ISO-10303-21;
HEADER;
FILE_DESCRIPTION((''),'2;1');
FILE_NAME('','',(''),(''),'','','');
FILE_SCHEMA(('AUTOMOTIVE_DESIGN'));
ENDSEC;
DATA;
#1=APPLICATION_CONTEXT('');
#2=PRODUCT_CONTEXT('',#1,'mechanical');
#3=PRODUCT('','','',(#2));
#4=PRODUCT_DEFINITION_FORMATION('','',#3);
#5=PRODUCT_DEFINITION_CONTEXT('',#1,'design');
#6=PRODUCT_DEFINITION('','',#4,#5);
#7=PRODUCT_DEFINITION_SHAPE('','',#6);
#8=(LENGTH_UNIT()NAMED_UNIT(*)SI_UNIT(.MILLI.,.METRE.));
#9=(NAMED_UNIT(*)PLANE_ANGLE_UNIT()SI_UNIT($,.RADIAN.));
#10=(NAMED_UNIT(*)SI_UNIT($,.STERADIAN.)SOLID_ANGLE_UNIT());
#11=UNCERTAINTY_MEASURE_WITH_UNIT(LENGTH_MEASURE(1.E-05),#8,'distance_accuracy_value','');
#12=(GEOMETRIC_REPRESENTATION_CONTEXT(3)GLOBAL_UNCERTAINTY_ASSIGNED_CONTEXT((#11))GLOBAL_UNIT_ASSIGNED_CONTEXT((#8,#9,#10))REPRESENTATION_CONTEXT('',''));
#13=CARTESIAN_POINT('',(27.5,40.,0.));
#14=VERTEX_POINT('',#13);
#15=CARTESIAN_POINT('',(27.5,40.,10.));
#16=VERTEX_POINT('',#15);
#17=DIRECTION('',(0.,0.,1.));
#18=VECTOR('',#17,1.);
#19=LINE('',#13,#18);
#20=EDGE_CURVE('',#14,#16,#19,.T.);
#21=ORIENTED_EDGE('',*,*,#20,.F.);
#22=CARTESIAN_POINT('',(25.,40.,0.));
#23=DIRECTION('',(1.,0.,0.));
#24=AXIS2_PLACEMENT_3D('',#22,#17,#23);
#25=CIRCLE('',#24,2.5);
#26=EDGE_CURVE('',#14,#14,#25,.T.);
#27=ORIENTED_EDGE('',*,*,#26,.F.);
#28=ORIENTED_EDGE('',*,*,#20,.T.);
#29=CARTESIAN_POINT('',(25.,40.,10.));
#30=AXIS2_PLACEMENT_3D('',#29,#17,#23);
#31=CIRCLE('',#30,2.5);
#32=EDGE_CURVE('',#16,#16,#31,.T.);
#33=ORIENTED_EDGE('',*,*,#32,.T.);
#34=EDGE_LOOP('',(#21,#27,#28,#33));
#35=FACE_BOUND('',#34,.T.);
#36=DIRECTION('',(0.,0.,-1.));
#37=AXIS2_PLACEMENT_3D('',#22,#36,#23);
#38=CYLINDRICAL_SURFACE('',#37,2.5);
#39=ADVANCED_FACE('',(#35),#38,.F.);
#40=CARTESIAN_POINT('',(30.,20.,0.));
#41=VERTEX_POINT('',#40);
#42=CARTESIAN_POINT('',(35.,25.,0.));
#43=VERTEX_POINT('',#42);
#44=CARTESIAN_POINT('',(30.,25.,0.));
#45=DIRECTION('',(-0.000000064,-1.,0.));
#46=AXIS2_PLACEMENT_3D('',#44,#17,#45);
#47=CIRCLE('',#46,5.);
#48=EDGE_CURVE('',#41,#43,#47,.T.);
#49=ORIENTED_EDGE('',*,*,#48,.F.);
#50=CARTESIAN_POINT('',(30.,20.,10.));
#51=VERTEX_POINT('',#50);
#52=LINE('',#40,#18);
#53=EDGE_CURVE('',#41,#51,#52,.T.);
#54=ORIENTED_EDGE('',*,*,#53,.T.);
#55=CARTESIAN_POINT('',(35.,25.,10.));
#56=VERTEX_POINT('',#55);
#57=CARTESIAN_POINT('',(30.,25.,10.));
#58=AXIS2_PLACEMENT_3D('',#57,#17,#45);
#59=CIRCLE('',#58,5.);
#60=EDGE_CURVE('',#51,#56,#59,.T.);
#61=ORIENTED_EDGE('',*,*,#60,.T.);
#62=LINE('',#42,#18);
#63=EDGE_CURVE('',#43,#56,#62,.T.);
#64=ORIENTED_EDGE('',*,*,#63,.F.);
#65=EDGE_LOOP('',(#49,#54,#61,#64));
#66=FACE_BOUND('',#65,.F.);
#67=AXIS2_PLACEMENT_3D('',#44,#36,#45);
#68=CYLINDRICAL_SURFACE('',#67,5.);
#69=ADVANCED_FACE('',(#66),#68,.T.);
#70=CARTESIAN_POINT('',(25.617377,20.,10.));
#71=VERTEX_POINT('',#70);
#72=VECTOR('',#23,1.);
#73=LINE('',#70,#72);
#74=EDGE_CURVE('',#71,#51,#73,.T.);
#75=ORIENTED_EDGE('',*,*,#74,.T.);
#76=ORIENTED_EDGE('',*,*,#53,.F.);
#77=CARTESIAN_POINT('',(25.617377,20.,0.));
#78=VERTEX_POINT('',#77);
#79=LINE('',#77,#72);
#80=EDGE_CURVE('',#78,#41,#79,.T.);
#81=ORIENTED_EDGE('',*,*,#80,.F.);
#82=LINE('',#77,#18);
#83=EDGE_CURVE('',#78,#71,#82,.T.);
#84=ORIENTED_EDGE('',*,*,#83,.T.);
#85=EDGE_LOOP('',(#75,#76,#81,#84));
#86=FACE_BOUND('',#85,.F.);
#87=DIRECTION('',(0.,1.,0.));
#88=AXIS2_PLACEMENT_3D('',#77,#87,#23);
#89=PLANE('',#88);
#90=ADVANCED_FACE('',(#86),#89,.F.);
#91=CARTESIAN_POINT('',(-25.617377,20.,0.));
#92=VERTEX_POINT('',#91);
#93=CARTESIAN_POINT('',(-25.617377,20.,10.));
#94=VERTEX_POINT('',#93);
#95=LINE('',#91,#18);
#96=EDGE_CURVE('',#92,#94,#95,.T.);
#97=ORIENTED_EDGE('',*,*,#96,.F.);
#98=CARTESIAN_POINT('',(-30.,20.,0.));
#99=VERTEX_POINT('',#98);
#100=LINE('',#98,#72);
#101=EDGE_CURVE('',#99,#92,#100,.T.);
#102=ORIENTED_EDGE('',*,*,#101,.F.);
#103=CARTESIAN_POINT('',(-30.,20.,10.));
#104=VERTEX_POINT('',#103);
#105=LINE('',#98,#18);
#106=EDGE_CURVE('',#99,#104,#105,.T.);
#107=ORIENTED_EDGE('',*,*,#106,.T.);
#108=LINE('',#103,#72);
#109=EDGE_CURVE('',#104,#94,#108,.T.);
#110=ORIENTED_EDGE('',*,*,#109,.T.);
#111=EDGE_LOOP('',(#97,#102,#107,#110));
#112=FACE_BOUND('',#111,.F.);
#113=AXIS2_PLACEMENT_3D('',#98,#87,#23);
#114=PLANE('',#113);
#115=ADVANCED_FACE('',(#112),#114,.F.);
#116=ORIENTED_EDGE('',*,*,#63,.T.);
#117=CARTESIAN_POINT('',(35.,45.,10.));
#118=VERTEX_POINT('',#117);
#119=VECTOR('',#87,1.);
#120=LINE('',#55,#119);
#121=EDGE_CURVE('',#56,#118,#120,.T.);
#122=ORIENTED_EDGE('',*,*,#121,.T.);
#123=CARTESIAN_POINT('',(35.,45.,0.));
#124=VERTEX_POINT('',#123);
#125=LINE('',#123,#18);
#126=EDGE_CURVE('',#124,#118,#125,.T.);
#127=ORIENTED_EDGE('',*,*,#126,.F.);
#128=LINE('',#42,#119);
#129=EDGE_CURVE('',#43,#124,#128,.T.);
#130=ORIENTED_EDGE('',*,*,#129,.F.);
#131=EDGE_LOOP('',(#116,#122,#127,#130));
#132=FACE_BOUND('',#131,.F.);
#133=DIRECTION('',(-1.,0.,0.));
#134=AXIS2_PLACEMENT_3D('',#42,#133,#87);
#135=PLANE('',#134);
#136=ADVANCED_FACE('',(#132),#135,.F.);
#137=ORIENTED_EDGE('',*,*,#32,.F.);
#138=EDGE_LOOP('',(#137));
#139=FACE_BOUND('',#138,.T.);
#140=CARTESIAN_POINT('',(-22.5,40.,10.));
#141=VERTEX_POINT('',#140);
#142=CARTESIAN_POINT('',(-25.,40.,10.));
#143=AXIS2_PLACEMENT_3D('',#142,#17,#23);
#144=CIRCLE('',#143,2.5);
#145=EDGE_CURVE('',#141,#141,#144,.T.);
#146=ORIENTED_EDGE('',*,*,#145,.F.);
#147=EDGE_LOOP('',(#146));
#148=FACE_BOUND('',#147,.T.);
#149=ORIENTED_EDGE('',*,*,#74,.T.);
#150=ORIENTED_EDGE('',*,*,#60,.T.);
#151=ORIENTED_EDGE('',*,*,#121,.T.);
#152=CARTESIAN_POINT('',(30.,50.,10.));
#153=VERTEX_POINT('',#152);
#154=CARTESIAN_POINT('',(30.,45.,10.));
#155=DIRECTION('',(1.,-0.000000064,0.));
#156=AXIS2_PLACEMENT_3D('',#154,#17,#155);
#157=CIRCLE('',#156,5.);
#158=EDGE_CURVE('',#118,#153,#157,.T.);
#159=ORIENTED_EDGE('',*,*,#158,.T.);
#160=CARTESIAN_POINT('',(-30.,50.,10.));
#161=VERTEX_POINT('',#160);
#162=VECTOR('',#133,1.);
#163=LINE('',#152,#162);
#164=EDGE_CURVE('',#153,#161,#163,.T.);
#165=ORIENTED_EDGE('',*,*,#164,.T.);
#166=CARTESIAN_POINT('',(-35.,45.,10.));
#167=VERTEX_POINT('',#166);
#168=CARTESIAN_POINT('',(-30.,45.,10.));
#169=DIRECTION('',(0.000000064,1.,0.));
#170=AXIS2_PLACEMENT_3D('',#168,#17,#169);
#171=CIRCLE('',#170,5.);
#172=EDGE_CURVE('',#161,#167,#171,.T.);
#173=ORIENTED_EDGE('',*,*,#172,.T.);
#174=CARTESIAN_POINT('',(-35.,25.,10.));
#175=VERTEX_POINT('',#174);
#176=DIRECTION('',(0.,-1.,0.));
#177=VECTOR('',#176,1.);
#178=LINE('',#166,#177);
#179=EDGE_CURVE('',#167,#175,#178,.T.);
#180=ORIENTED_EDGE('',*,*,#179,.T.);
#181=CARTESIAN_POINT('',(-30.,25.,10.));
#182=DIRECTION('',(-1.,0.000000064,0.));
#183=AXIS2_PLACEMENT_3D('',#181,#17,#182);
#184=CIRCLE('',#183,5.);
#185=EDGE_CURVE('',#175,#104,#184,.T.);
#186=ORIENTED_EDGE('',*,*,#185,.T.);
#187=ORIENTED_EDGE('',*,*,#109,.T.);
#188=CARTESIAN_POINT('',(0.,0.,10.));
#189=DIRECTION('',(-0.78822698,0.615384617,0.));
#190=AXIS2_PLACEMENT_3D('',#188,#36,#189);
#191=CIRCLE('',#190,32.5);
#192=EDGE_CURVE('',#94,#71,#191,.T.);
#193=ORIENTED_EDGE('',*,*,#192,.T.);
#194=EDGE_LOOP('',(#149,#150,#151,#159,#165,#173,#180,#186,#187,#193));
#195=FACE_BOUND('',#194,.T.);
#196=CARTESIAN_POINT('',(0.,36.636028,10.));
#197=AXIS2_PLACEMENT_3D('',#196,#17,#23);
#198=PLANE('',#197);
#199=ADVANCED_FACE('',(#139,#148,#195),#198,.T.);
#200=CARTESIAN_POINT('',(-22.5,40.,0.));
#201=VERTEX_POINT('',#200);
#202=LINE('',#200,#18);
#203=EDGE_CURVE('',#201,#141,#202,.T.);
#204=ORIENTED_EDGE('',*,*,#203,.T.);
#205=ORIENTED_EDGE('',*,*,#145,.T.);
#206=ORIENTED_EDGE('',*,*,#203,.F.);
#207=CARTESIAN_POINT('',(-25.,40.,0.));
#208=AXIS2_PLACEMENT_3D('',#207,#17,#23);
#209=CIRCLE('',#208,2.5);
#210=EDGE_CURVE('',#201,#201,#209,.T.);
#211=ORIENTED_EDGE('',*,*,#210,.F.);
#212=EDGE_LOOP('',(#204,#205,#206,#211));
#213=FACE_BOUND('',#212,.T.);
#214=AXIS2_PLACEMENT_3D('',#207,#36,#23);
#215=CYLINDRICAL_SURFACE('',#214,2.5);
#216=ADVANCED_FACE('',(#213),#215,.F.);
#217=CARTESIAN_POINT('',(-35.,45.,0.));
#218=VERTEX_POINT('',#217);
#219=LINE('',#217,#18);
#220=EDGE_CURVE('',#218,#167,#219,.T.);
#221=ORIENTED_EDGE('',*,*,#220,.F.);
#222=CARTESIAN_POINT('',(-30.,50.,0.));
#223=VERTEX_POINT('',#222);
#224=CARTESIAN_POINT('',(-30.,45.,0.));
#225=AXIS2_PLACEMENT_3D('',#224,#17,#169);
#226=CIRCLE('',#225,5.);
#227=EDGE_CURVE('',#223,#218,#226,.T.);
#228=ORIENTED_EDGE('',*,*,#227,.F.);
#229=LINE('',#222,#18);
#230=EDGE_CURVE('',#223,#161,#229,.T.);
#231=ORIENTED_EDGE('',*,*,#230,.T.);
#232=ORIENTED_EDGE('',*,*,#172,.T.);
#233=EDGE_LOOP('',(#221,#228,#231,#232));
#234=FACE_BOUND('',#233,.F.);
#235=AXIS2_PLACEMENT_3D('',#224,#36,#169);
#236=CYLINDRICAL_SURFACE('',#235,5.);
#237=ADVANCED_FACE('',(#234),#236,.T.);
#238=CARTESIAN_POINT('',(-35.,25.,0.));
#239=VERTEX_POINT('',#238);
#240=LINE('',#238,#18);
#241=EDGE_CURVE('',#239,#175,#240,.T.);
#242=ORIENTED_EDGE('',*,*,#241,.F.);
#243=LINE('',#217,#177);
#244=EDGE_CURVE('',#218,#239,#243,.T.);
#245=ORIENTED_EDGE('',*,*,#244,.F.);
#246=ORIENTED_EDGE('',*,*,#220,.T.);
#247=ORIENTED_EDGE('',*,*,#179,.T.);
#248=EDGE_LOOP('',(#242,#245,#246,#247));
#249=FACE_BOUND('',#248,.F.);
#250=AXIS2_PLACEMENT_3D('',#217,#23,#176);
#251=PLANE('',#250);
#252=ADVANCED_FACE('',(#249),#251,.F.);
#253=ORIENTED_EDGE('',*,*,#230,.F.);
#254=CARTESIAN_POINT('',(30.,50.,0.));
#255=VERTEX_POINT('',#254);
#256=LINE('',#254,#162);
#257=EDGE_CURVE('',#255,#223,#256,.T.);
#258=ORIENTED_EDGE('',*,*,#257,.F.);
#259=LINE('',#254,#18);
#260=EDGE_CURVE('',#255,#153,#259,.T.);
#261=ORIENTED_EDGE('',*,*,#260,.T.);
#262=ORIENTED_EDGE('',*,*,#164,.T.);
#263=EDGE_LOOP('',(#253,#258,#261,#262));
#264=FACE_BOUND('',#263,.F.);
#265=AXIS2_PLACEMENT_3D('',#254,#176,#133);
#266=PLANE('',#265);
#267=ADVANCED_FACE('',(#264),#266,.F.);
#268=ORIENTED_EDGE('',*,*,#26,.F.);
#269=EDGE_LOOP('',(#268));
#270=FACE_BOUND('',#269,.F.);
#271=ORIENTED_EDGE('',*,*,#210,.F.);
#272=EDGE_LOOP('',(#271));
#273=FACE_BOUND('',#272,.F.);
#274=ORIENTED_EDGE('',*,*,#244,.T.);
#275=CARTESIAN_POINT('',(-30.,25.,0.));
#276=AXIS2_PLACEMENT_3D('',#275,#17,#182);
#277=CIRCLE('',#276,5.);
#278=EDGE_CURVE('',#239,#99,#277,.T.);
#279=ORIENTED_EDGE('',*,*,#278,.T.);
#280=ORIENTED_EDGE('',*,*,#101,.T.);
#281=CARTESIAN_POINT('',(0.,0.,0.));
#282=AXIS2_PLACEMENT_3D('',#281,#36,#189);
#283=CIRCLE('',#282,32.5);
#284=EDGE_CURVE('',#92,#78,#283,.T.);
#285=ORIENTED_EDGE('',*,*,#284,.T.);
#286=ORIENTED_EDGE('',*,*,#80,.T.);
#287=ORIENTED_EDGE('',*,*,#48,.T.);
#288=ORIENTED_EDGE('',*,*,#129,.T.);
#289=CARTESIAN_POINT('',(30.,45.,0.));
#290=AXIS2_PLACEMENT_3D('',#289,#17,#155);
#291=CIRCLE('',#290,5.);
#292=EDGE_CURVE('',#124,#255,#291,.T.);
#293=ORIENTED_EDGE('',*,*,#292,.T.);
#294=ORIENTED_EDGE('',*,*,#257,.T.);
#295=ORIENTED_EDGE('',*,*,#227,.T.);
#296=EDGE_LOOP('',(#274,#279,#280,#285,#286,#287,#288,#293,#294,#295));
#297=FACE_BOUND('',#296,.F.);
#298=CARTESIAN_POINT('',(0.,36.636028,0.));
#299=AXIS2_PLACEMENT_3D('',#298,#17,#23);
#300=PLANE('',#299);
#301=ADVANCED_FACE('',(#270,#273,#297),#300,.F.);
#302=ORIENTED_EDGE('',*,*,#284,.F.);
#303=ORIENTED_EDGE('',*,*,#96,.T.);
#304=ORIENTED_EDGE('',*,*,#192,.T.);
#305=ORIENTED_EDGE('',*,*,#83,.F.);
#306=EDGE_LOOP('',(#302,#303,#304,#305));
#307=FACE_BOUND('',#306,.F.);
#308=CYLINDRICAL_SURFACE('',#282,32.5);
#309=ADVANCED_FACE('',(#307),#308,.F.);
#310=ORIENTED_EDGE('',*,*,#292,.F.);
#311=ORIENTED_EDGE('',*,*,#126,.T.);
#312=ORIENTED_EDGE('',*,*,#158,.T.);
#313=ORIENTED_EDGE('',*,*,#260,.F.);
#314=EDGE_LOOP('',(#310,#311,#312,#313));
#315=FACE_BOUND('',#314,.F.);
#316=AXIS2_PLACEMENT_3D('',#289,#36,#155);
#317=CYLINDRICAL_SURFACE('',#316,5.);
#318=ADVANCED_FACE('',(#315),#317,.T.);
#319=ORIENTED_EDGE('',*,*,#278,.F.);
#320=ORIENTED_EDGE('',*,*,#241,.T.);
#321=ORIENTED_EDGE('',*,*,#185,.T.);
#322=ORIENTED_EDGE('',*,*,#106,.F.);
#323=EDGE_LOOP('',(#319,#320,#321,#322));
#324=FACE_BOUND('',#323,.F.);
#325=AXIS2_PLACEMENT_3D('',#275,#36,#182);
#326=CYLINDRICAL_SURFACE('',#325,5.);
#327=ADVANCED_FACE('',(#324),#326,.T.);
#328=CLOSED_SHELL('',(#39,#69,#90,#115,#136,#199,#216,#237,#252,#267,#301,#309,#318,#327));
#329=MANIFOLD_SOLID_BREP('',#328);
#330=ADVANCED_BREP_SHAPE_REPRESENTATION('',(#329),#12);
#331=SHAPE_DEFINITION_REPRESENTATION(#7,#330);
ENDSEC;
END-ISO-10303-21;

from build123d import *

# Parameters (mm, degrees)
F0_R     = 2.5
F1_DEPTH = 10


with BuildPart() as f1:
    # F0 (on Top) → F1 (new body)
    with BuildSketch(Plane.XY):
        with BuildLine():
            Line((30, 50), (-30, 50))
            ThreePointArc((-30, 50), (-33.535534, 48.535534), (-35, 45))
            Line((-35, 45), (-35, 25))
            ThreePointArc((-35, 25), (-33.535534, 21.464466), (-30, 20))
            Line((-30, 20), (-25.617377, 20))
            ThreePointArc((-25.617377, 20), (0, 32.5), (25.617377, 20))
            Line((25.617377, 20), (30, 20))
            ThreePointArc((30, 20), (33.535534, 21.464466), (35, 25))
            Line((35, 25), (35, 45))
            ThreePointArc((35, 45), (33.535534, 48.535534), (30, 50))
        make_face()
        with Locations((-25, 40)):
            Circle(F0_R, mode=Mode.SUBTRACT)
        with Locations((25, 40)):
            Circle(F0_R, mode=Mode.SUBTRACT)
    extrude(amount=F1_DEPTH)


solid = f1.part
